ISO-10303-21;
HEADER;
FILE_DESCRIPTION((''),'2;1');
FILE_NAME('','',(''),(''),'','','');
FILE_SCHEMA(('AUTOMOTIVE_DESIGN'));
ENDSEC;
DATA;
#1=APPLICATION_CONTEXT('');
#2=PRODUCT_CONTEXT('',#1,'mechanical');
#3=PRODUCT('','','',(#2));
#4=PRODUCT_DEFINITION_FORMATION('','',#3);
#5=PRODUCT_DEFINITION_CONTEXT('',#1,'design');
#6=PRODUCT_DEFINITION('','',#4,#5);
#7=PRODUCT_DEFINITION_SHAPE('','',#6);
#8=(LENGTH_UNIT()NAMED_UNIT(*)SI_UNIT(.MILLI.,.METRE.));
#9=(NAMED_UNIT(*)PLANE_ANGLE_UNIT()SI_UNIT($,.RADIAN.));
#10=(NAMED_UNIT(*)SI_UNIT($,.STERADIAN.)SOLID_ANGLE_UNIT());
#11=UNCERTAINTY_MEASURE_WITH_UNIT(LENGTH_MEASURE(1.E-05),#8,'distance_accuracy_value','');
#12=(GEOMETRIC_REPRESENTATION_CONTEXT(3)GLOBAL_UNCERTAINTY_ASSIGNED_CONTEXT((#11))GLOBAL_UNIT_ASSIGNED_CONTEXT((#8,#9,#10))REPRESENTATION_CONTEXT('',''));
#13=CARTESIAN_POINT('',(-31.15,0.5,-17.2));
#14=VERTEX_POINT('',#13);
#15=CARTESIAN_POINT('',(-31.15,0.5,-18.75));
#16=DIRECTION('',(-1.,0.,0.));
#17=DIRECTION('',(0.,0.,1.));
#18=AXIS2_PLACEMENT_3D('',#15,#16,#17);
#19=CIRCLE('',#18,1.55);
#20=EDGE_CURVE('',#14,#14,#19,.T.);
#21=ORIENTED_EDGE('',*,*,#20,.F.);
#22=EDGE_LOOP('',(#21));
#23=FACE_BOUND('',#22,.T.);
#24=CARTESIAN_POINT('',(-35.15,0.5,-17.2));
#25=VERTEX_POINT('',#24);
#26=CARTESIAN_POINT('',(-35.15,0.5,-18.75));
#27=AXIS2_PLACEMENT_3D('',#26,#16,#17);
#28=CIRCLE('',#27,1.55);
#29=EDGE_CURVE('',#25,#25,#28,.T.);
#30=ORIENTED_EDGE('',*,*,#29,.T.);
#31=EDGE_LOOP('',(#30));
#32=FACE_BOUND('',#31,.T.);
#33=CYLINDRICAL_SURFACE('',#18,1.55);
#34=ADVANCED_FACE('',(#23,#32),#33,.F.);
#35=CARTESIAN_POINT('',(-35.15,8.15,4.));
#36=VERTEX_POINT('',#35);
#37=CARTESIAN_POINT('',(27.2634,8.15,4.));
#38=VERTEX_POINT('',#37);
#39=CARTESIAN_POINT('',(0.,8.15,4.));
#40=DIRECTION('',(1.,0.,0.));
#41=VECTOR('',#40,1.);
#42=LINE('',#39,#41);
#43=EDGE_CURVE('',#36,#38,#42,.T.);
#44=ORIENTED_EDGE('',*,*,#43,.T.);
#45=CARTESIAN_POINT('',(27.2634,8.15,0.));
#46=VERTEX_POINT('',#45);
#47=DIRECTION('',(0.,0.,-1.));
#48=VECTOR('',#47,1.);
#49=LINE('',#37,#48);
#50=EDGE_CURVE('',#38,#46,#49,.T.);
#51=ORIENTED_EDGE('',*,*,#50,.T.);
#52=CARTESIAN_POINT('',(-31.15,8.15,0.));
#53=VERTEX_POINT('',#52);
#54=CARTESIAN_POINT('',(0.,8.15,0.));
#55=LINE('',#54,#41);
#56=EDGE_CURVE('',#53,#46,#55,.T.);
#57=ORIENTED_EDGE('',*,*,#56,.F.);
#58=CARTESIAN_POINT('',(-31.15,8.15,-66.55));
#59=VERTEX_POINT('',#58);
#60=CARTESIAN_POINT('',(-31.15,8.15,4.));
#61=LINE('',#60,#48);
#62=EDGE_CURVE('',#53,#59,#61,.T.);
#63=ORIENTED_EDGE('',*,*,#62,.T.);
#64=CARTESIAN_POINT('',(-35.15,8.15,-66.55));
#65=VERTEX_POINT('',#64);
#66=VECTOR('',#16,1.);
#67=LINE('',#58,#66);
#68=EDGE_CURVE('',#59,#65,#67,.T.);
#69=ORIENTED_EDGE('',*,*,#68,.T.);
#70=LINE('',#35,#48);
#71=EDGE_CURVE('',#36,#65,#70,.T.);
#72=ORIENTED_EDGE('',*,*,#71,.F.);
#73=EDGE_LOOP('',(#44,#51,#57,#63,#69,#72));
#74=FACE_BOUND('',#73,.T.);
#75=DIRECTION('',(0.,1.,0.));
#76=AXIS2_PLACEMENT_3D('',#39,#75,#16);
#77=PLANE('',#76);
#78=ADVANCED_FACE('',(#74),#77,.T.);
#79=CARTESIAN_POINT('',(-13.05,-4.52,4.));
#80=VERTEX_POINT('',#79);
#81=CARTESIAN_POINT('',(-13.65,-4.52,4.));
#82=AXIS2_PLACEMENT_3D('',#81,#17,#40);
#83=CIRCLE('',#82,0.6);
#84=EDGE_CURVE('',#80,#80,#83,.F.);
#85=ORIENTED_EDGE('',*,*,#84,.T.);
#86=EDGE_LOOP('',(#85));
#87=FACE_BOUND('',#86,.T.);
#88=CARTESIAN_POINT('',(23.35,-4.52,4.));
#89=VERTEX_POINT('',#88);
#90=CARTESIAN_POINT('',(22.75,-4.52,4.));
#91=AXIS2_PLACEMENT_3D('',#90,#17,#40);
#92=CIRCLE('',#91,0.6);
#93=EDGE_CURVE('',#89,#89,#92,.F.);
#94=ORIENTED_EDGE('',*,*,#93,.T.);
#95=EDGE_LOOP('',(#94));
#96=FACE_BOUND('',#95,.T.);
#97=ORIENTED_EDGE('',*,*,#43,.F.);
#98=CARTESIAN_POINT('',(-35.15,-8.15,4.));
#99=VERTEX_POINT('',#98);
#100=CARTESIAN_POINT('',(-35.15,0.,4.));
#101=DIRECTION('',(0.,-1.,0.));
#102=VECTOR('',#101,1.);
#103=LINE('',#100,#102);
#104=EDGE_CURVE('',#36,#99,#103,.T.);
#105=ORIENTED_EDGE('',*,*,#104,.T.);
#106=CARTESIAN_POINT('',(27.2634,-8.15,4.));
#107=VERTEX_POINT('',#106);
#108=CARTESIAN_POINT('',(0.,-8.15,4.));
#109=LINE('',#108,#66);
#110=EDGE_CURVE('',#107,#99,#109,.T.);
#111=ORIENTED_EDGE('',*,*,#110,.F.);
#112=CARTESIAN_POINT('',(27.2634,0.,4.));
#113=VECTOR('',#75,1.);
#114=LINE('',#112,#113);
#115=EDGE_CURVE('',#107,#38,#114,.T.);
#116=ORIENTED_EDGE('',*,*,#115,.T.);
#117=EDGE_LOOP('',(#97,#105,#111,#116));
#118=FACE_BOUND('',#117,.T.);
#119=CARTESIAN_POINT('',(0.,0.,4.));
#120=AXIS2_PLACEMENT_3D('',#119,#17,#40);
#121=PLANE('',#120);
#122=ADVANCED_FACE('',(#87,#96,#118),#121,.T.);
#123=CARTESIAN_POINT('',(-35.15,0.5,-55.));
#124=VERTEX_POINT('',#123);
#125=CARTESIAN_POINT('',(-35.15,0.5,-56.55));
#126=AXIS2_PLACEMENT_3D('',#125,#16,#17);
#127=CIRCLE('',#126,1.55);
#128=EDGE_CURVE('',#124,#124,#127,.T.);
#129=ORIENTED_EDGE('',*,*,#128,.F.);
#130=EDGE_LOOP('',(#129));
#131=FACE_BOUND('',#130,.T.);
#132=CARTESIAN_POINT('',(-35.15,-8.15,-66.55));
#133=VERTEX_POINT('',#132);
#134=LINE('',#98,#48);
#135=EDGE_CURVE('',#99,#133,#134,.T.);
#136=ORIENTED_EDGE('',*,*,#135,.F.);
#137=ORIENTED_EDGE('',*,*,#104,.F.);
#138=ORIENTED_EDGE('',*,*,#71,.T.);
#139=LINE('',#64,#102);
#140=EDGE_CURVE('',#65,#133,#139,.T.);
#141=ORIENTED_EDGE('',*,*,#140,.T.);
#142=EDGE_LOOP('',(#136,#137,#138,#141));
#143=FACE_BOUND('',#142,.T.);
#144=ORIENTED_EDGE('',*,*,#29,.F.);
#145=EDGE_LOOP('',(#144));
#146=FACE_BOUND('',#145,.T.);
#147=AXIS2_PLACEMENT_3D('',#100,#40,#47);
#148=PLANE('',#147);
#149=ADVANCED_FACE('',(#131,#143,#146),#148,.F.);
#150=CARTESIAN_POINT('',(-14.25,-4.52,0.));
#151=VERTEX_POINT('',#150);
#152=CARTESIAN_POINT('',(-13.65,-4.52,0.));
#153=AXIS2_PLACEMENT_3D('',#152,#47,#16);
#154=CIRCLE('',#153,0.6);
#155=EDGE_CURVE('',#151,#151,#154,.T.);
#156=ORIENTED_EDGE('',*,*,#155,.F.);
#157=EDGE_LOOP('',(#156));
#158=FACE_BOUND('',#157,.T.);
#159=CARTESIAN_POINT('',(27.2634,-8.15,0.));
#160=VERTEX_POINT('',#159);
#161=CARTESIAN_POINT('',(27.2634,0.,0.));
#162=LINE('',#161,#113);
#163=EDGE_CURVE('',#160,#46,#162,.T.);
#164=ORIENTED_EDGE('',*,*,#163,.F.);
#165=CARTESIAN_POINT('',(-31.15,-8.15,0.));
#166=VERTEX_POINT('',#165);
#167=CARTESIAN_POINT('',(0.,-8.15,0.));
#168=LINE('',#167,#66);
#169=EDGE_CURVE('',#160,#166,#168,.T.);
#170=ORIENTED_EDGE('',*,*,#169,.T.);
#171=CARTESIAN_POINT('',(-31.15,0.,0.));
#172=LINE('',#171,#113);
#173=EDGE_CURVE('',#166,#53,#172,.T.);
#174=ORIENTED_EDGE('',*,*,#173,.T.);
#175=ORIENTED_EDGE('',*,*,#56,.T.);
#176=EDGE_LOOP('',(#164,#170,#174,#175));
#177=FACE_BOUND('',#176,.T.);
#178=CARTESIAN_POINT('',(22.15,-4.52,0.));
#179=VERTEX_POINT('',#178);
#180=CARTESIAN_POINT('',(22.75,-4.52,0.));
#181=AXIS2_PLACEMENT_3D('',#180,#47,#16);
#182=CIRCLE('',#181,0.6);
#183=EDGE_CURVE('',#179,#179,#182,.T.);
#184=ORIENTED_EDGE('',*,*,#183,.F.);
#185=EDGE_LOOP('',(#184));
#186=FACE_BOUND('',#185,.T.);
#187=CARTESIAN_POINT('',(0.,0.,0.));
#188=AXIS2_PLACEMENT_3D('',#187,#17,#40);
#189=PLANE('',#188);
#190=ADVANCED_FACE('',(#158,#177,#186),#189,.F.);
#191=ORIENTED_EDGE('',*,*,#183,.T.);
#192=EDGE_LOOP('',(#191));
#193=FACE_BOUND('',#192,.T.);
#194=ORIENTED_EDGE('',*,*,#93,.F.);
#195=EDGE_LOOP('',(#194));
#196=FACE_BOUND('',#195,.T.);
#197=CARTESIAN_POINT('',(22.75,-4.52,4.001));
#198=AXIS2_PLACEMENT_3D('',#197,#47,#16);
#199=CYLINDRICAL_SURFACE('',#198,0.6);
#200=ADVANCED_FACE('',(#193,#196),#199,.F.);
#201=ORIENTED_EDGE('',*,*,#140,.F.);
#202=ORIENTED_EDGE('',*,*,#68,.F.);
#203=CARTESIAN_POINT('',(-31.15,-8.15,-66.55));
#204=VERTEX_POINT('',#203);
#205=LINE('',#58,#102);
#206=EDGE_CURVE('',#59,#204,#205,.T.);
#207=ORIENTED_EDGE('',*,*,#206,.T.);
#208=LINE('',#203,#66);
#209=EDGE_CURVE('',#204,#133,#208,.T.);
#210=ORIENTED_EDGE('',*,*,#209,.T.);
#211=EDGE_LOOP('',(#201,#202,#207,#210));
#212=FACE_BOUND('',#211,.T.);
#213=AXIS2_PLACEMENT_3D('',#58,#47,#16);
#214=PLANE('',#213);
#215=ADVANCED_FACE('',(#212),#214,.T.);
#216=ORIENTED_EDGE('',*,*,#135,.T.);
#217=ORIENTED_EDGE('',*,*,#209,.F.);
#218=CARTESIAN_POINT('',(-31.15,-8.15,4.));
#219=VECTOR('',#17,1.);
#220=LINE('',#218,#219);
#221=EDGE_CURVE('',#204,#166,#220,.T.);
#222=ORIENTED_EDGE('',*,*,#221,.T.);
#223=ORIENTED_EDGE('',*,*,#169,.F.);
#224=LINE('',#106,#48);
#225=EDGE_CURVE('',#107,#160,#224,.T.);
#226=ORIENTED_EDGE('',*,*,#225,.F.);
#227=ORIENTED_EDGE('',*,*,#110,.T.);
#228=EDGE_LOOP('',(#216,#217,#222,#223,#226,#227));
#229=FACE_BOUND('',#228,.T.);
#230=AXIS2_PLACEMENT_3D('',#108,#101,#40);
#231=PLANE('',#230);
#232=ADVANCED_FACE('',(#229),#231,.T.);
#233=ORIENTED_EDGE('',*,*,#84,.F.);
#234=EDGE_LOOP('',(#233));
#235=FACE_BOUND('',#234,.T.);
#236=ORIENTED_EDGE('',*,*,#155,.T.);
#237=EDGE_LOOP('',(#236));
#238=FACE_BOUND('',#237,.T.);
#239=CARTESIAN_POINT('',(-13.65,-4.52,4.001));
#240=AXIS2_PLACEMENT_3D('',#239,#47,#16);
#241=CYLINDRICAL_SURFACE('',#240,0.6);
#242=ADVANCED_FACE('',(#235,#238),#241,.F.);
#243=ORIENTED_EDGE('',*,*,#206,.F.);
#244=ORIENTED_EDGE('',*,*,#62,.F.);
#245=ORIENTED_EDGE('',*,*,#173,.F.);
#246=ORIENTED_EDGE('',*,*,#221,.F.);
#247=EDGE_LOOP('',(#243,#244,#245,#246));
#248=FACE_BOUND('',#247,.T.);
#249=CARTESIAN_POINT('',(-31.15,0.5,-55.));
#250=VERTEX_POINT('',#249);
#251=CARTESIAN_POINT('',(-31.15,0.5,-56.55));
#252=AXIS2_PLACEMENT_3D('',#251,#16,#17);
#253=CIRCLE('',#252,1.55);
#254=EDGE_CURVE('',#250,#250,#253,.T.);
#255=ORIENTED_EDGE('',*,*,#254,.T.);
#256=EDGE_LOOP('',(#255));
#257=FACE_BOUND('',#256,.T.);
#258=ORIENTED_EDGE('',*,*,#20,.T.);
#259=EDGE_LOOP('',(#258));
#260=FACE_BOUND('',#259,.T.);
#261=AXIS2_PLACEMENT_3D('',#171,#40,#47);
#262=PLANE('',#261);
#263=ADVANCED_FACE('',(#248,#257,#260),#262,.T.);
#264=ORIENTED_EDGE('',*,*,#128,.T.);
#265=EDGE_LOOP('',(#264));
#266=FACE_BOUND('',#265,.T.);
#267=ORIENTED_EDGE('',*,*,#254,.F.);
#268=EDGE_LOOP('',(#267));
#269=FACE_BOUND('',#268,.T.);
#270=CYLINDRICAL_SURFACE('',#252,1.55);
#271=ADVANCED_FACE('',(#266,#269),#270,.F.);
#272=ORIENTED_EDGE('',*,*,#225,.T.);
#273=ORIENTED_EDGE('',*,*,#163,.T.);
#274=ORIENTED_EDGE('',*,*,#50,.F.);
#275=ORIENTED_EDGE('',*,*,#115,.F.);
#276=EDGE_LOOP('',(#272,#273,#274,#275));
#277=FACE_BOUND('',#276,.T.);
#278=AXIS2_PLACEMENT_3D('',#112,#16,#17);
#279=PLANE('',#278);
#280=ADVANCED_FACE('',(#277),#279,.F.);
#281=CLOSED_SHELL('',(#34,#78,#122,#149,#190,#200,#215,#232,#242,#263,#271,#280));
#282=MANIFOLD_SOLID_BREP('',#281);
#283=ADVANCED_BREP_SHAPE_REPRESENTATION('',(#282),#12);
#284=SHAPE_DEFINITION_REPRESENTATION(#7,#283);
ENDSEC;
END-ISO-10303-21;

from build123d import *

# Parameters (mm, degrees)
SKETCH_1_W          = 62.4134
SKETCH_1_H          = 16.3
EXTRUDE_1_DEPTH     = 4
SKETCH_3_W          = 70.55
SKETCH_3_H          = 16.3
SKETCH_3_R          = 1.55
EXTRUDE_3_DEPTH     = 4
CUT_EXTRUDE_1_REACH = 77.702
SKETCH_4_R          = 0.6


with BuildPart() as part:
    # 草图1 → 凸台-拉伸1 (new body)
    with BuildSketch(Plane.XY):
        with Locations((-3.9433, 0)):
            Rectangle(SKETCH_1_W, SKETCH_1_H)
    extrude(amount=EXTRUDE_1_DEPTH)

    # 草图3 → 凸台-拉伸3 (add)
    with BuildSketch(Plane.ZY.offset(35.15)):
        with Locations((-31.275, 0)):
            Rectangle(SKETCH_3_W, SKETCH_3_H)
        with Locations((-56.55, 0.5)):
            Circle(SKETCH_3_R, mode=Mode.SUBTRACT)
        with Locations((-18.75, 0.5)):
            Circle(SKETCH_3_R, mode=Mode.SUBTRACT)
    extrude(amount=-EXTRUDE_3_DEPTH)

    # 草图4 → 切除-拉伸1 (cut, up to next)
    with BuildSketch(Plane(origin=(0, 0, 0), x_dir=(-1, 0, 0), z_dir=(0, 0, -1)), mode=Mode.PRIVATE) as cut_extrude_1_sk1:
        with Locations((-22.75, -4.52)):
            Circle(SKETCH_4_R)
    cut_extrude_1_tool1 = extrude(cut_extrude_1_sk1.sketch, amount=-CUT_EXTRUDE_1_REACH, mode=Mode.PRIVATE) & part.part
    # 草图4 → 切除-拉伸1 (cut, up to next)
    with BuildSketch(Plane(origin=(0, 0, 0), x_dir=(-1, 0, 0), z_dir=(0, 0, -1)), mode=Mode.PRIVATE) as cut_extrude_1_sk2:
        with Locations((13.65, -4.52)):
            Circle(SKETCH_4_R)
    cut_extrude_1_tool2 = extrude(cut_extrude_1_sk2.sketch, amount=-CUT_EXTRUDE_1_REACH, mode=Mode.PRIVATE) & part.part
    add(cut_extrude_1_tool1.solids().sort_by_distance((22.75, -4.52, 0))[0], mode=Mode.SUBTRACT)
    add(cut_extrude_1_tool2.solids().sort_by_distance((-13.65, -4.52, 0))[0], mode=Mode.SUBTRACT)


solid = part.part
